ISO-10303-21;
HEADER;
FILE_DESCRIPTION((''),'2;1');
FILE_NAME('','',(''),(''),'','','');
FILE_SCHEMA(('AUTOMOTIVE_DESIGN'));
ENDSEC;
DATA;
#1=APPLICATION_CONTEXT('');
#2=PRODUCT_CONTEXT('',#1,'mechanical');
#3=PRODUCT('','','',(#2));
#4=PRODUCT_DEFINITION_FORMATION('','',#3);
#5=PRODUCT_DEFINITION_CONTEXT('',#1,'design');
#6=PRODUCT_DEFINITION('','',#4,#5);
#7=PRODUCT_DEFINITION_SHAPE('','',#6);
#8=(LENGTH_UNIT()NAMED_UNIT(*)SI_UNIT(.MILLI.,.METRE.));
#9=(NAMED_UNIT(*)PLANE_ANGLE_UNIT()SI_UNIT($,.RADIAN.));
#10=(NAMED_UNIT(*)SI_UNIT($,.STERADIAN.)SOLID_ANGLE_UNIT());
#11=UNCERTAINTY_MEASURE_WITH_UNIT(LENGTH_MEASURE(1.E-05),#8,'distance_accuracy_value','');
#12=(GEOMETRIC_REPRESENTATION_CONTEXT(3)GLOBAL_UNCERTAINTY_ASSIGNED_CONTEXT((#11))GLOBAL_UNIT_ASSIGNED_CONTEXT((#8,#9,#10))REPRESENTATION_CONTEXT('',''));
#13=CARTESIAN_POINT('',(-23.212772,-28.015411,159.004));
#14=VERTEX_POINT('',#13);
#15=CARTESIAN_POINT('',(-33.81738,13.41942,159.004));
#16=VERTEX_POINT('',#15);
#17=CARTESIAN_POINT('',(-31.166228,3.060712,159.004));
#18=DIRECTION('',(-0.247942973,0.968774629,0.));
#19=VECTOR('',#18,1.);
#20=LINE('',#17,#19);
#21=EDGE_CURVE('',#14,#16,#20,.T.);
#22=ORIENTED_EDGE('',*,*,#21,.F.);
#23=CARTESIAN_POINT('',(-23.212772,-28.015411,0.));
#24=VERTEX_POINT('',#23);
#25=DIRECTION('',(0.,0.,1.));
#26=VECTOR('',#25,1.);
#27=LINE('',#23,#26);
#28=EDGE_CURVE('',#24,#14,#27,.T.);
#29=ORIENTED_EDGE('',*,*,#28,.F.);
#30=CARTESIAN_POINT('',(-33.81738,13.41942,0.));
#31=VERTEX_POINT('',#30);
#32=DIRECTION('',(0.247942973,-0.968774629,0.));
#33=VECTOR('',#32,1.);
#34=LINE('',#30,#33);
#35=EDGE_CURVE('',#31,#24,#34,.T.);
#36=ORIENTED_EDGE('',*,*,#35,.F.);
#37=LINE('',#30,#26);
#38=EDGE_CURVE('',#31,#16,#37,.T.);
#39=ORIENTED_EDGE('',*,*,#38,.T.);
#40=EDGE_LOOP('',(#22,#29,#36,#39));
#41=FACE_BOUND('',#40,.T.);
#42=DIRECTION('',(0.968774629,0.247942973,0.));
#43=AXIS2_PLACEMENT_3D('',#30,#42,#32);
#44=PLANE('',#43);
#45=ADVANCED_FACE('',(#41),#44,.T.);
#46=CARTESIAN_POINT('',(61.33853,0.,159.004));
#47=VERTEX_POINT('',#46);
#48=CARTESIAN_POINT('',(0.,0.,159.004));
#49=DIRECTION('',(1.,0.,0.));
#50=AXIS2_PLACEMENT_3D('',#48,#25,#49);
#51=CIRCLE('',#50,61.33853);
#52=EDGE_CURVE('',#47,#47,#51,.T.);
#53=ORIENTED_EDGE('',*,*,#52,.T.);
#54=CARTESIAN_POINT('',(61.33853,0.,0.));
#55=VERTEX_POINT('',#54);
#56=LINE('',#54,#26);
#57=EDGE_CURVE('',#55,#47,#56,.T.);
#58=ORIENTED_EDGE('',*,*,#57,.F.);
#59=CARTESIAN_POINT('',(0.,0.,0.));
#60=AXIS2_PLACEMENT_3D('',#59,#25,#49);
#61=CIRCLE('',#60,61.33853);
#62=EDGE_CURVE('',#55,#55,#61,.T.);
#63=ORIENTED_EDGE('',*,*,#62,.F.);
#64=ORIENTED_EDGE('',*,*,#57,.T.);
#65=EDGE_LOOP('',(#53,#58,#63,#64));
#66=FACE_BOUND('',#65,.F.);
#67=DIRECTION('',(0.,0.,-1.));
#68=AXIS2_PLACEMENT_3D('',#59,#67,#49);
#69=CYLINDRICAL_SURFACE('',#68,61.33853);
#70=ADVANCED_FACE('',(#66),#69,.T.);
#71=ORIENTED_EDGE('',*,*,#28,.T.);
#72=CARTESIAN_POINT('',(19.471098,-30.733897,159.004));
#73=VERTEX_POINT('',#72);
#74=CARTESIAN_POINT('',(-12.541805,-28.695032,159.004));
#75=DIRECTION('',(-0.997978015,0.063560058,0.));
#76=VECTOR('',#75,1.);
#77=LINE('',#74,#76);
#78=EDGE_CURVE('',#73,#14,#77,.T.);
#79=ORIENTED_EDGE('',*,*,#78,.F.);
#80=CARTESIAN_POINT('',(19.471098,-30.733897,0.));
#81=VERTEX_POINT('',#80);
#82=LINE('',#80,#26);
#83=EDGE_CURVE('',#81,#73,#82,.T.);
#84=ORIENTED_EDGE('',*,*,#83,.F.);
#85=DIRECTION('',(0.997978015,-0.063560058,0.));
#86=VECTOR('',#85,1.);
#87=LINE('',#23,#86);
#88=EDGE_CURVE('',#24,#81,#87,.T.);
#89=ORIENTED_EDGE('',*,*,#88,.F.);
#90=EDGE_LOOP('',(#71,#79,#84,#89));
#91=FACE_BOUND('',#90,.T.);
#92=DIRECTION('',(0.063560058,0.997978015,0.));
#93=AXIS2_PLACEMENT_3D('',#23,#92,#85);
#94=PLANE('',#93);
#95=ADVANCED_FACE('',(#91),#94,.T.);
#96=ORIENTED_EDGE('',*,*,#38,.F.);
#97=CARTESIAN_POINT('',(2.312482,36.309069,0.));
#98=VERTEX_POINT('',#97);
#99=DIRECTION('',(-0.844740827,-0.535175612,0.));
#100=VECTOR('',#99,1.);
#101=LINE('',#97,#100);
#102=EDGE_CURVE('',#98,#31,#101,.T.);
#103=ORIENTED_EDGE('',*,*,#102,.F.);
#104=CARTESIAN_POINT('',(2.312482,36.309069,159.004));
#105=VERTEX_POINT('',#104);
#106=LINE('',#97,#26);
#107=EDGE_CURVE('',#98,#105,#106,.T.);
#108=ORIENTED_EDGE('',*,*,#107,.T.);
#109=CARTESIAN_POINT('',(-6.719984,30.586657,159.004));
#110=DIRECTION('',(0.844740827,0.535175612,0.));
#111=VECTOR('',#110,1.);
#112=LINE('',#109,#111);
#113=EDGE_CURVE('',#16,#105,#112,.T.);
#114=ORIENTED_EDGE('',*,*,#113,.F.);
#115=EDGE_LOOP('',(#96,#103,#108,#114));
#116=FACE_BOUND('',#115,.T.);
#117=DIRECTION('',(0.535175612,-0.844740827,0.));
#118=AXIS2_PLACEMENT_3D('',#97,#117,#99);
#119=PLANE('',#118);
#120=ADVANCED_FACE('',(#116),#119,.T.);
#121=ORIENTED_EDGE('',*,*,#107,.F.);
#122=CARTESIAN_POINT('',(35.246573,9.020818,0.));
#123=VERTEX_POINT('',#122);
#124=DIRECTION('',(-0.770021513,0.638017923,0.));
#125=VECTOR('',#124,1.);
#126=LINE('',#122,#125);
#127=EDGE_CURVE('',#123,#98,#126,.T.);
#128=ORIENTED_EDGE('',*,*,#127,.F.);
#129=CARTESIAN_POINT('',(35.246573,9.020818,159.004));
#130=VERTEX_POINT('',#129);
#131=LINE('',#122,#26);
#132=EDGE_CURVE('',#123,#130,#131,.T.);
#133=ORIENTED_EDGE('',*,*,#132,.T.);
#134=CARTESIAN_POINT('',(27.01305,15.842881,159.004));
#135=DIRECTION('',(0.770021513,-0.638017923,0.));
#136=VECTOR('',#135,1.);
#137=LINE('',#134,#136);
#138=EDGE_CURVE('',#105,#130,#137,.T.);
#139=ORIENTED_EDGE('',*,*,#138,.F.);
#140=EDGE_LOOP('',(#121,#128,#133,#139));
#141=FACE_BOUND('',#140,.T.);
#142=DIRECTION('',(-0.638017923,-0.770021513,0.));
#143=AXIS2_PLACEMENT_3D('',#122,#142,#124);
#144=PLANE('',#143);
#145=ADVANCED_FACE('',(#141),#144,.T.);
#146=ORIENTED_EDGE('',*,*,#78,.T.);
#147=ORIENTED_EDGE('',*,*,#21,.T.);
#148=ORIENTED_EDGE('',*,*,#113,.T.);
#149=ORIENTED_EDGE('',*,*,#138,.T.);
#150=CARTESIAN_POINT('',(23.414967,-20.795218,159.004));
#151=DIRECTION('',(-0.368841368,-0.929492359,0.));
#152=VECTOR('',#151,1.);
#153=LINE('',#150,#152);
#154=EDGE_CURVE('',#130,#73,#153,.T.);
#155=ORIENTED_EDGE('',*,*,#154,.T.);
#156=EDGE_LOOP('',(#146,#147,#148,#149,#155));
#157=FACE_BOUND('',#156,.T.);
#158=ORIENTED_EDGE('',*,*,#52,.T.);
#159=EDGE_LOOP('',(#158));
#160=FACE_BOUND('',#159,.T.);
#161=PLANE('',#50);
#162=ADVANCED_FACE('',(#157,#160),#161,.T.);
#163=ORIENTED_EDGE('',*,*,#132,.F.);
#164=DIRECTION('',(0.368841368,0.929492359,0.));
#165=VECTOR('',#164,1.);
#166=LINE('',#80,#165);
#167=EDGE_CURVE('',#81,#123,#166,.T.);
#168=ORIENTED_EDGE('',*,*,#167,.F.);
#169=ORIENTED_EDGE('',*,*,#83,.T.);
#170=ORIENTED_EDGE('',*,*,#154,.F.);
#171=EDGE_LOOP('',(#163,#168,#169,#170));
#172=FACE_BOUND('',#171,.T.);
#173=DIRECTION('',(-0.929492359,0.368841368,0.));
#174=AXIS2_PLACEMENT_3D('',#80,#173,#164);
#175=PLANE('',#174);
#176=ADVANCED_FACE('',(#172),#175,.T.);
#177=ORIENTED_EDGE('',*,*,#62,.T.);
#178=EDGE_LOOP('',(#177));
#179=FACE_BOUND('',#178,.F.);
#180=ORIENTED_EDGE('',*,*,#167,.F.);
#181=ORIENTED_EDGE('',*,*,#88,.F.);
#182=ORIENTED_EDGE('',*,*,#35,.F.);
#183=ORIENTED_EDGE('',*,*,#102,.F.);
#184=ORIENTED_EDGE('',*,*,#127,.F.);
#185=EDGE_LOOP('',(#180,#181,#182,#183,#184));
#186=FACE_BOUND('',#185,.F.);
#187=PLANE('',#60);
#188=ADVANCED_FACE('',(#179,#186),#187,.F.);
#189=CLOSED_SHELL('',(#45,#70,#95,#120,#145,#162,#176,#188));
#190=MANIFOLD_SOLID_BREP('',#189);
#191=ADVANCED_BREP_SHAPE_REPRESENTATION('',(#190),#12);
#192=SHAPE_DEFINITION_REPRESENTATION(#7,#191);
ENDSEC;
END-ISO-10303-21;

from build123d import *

# Parameters (mm, degrees)
F0_R     = 61.33853
F1_DEPTH = 159.004
F3_DEPTH = 159.005


with BuildPart() as f1:
    # F0 (on Top) → F1 (new body)
    with BuildSketch(Plane.XY):
        Circle(F0_R)
    extrude(amount=F1_DEPTH)

    # F2 (on Top) → F3 (cut, through all)
    with BuildSketch(Plane.XY):
        Polygon((35.246573, 9.020818), (2.312482, 36.309069), (-33.81738, 13.41942), (-23.212772, -28.015411), (19.471098, -30.733897), align=None)
    extrude(amount=F3_DEPTH, mode=Mode.SUBTRACT)


solid = f1.part
